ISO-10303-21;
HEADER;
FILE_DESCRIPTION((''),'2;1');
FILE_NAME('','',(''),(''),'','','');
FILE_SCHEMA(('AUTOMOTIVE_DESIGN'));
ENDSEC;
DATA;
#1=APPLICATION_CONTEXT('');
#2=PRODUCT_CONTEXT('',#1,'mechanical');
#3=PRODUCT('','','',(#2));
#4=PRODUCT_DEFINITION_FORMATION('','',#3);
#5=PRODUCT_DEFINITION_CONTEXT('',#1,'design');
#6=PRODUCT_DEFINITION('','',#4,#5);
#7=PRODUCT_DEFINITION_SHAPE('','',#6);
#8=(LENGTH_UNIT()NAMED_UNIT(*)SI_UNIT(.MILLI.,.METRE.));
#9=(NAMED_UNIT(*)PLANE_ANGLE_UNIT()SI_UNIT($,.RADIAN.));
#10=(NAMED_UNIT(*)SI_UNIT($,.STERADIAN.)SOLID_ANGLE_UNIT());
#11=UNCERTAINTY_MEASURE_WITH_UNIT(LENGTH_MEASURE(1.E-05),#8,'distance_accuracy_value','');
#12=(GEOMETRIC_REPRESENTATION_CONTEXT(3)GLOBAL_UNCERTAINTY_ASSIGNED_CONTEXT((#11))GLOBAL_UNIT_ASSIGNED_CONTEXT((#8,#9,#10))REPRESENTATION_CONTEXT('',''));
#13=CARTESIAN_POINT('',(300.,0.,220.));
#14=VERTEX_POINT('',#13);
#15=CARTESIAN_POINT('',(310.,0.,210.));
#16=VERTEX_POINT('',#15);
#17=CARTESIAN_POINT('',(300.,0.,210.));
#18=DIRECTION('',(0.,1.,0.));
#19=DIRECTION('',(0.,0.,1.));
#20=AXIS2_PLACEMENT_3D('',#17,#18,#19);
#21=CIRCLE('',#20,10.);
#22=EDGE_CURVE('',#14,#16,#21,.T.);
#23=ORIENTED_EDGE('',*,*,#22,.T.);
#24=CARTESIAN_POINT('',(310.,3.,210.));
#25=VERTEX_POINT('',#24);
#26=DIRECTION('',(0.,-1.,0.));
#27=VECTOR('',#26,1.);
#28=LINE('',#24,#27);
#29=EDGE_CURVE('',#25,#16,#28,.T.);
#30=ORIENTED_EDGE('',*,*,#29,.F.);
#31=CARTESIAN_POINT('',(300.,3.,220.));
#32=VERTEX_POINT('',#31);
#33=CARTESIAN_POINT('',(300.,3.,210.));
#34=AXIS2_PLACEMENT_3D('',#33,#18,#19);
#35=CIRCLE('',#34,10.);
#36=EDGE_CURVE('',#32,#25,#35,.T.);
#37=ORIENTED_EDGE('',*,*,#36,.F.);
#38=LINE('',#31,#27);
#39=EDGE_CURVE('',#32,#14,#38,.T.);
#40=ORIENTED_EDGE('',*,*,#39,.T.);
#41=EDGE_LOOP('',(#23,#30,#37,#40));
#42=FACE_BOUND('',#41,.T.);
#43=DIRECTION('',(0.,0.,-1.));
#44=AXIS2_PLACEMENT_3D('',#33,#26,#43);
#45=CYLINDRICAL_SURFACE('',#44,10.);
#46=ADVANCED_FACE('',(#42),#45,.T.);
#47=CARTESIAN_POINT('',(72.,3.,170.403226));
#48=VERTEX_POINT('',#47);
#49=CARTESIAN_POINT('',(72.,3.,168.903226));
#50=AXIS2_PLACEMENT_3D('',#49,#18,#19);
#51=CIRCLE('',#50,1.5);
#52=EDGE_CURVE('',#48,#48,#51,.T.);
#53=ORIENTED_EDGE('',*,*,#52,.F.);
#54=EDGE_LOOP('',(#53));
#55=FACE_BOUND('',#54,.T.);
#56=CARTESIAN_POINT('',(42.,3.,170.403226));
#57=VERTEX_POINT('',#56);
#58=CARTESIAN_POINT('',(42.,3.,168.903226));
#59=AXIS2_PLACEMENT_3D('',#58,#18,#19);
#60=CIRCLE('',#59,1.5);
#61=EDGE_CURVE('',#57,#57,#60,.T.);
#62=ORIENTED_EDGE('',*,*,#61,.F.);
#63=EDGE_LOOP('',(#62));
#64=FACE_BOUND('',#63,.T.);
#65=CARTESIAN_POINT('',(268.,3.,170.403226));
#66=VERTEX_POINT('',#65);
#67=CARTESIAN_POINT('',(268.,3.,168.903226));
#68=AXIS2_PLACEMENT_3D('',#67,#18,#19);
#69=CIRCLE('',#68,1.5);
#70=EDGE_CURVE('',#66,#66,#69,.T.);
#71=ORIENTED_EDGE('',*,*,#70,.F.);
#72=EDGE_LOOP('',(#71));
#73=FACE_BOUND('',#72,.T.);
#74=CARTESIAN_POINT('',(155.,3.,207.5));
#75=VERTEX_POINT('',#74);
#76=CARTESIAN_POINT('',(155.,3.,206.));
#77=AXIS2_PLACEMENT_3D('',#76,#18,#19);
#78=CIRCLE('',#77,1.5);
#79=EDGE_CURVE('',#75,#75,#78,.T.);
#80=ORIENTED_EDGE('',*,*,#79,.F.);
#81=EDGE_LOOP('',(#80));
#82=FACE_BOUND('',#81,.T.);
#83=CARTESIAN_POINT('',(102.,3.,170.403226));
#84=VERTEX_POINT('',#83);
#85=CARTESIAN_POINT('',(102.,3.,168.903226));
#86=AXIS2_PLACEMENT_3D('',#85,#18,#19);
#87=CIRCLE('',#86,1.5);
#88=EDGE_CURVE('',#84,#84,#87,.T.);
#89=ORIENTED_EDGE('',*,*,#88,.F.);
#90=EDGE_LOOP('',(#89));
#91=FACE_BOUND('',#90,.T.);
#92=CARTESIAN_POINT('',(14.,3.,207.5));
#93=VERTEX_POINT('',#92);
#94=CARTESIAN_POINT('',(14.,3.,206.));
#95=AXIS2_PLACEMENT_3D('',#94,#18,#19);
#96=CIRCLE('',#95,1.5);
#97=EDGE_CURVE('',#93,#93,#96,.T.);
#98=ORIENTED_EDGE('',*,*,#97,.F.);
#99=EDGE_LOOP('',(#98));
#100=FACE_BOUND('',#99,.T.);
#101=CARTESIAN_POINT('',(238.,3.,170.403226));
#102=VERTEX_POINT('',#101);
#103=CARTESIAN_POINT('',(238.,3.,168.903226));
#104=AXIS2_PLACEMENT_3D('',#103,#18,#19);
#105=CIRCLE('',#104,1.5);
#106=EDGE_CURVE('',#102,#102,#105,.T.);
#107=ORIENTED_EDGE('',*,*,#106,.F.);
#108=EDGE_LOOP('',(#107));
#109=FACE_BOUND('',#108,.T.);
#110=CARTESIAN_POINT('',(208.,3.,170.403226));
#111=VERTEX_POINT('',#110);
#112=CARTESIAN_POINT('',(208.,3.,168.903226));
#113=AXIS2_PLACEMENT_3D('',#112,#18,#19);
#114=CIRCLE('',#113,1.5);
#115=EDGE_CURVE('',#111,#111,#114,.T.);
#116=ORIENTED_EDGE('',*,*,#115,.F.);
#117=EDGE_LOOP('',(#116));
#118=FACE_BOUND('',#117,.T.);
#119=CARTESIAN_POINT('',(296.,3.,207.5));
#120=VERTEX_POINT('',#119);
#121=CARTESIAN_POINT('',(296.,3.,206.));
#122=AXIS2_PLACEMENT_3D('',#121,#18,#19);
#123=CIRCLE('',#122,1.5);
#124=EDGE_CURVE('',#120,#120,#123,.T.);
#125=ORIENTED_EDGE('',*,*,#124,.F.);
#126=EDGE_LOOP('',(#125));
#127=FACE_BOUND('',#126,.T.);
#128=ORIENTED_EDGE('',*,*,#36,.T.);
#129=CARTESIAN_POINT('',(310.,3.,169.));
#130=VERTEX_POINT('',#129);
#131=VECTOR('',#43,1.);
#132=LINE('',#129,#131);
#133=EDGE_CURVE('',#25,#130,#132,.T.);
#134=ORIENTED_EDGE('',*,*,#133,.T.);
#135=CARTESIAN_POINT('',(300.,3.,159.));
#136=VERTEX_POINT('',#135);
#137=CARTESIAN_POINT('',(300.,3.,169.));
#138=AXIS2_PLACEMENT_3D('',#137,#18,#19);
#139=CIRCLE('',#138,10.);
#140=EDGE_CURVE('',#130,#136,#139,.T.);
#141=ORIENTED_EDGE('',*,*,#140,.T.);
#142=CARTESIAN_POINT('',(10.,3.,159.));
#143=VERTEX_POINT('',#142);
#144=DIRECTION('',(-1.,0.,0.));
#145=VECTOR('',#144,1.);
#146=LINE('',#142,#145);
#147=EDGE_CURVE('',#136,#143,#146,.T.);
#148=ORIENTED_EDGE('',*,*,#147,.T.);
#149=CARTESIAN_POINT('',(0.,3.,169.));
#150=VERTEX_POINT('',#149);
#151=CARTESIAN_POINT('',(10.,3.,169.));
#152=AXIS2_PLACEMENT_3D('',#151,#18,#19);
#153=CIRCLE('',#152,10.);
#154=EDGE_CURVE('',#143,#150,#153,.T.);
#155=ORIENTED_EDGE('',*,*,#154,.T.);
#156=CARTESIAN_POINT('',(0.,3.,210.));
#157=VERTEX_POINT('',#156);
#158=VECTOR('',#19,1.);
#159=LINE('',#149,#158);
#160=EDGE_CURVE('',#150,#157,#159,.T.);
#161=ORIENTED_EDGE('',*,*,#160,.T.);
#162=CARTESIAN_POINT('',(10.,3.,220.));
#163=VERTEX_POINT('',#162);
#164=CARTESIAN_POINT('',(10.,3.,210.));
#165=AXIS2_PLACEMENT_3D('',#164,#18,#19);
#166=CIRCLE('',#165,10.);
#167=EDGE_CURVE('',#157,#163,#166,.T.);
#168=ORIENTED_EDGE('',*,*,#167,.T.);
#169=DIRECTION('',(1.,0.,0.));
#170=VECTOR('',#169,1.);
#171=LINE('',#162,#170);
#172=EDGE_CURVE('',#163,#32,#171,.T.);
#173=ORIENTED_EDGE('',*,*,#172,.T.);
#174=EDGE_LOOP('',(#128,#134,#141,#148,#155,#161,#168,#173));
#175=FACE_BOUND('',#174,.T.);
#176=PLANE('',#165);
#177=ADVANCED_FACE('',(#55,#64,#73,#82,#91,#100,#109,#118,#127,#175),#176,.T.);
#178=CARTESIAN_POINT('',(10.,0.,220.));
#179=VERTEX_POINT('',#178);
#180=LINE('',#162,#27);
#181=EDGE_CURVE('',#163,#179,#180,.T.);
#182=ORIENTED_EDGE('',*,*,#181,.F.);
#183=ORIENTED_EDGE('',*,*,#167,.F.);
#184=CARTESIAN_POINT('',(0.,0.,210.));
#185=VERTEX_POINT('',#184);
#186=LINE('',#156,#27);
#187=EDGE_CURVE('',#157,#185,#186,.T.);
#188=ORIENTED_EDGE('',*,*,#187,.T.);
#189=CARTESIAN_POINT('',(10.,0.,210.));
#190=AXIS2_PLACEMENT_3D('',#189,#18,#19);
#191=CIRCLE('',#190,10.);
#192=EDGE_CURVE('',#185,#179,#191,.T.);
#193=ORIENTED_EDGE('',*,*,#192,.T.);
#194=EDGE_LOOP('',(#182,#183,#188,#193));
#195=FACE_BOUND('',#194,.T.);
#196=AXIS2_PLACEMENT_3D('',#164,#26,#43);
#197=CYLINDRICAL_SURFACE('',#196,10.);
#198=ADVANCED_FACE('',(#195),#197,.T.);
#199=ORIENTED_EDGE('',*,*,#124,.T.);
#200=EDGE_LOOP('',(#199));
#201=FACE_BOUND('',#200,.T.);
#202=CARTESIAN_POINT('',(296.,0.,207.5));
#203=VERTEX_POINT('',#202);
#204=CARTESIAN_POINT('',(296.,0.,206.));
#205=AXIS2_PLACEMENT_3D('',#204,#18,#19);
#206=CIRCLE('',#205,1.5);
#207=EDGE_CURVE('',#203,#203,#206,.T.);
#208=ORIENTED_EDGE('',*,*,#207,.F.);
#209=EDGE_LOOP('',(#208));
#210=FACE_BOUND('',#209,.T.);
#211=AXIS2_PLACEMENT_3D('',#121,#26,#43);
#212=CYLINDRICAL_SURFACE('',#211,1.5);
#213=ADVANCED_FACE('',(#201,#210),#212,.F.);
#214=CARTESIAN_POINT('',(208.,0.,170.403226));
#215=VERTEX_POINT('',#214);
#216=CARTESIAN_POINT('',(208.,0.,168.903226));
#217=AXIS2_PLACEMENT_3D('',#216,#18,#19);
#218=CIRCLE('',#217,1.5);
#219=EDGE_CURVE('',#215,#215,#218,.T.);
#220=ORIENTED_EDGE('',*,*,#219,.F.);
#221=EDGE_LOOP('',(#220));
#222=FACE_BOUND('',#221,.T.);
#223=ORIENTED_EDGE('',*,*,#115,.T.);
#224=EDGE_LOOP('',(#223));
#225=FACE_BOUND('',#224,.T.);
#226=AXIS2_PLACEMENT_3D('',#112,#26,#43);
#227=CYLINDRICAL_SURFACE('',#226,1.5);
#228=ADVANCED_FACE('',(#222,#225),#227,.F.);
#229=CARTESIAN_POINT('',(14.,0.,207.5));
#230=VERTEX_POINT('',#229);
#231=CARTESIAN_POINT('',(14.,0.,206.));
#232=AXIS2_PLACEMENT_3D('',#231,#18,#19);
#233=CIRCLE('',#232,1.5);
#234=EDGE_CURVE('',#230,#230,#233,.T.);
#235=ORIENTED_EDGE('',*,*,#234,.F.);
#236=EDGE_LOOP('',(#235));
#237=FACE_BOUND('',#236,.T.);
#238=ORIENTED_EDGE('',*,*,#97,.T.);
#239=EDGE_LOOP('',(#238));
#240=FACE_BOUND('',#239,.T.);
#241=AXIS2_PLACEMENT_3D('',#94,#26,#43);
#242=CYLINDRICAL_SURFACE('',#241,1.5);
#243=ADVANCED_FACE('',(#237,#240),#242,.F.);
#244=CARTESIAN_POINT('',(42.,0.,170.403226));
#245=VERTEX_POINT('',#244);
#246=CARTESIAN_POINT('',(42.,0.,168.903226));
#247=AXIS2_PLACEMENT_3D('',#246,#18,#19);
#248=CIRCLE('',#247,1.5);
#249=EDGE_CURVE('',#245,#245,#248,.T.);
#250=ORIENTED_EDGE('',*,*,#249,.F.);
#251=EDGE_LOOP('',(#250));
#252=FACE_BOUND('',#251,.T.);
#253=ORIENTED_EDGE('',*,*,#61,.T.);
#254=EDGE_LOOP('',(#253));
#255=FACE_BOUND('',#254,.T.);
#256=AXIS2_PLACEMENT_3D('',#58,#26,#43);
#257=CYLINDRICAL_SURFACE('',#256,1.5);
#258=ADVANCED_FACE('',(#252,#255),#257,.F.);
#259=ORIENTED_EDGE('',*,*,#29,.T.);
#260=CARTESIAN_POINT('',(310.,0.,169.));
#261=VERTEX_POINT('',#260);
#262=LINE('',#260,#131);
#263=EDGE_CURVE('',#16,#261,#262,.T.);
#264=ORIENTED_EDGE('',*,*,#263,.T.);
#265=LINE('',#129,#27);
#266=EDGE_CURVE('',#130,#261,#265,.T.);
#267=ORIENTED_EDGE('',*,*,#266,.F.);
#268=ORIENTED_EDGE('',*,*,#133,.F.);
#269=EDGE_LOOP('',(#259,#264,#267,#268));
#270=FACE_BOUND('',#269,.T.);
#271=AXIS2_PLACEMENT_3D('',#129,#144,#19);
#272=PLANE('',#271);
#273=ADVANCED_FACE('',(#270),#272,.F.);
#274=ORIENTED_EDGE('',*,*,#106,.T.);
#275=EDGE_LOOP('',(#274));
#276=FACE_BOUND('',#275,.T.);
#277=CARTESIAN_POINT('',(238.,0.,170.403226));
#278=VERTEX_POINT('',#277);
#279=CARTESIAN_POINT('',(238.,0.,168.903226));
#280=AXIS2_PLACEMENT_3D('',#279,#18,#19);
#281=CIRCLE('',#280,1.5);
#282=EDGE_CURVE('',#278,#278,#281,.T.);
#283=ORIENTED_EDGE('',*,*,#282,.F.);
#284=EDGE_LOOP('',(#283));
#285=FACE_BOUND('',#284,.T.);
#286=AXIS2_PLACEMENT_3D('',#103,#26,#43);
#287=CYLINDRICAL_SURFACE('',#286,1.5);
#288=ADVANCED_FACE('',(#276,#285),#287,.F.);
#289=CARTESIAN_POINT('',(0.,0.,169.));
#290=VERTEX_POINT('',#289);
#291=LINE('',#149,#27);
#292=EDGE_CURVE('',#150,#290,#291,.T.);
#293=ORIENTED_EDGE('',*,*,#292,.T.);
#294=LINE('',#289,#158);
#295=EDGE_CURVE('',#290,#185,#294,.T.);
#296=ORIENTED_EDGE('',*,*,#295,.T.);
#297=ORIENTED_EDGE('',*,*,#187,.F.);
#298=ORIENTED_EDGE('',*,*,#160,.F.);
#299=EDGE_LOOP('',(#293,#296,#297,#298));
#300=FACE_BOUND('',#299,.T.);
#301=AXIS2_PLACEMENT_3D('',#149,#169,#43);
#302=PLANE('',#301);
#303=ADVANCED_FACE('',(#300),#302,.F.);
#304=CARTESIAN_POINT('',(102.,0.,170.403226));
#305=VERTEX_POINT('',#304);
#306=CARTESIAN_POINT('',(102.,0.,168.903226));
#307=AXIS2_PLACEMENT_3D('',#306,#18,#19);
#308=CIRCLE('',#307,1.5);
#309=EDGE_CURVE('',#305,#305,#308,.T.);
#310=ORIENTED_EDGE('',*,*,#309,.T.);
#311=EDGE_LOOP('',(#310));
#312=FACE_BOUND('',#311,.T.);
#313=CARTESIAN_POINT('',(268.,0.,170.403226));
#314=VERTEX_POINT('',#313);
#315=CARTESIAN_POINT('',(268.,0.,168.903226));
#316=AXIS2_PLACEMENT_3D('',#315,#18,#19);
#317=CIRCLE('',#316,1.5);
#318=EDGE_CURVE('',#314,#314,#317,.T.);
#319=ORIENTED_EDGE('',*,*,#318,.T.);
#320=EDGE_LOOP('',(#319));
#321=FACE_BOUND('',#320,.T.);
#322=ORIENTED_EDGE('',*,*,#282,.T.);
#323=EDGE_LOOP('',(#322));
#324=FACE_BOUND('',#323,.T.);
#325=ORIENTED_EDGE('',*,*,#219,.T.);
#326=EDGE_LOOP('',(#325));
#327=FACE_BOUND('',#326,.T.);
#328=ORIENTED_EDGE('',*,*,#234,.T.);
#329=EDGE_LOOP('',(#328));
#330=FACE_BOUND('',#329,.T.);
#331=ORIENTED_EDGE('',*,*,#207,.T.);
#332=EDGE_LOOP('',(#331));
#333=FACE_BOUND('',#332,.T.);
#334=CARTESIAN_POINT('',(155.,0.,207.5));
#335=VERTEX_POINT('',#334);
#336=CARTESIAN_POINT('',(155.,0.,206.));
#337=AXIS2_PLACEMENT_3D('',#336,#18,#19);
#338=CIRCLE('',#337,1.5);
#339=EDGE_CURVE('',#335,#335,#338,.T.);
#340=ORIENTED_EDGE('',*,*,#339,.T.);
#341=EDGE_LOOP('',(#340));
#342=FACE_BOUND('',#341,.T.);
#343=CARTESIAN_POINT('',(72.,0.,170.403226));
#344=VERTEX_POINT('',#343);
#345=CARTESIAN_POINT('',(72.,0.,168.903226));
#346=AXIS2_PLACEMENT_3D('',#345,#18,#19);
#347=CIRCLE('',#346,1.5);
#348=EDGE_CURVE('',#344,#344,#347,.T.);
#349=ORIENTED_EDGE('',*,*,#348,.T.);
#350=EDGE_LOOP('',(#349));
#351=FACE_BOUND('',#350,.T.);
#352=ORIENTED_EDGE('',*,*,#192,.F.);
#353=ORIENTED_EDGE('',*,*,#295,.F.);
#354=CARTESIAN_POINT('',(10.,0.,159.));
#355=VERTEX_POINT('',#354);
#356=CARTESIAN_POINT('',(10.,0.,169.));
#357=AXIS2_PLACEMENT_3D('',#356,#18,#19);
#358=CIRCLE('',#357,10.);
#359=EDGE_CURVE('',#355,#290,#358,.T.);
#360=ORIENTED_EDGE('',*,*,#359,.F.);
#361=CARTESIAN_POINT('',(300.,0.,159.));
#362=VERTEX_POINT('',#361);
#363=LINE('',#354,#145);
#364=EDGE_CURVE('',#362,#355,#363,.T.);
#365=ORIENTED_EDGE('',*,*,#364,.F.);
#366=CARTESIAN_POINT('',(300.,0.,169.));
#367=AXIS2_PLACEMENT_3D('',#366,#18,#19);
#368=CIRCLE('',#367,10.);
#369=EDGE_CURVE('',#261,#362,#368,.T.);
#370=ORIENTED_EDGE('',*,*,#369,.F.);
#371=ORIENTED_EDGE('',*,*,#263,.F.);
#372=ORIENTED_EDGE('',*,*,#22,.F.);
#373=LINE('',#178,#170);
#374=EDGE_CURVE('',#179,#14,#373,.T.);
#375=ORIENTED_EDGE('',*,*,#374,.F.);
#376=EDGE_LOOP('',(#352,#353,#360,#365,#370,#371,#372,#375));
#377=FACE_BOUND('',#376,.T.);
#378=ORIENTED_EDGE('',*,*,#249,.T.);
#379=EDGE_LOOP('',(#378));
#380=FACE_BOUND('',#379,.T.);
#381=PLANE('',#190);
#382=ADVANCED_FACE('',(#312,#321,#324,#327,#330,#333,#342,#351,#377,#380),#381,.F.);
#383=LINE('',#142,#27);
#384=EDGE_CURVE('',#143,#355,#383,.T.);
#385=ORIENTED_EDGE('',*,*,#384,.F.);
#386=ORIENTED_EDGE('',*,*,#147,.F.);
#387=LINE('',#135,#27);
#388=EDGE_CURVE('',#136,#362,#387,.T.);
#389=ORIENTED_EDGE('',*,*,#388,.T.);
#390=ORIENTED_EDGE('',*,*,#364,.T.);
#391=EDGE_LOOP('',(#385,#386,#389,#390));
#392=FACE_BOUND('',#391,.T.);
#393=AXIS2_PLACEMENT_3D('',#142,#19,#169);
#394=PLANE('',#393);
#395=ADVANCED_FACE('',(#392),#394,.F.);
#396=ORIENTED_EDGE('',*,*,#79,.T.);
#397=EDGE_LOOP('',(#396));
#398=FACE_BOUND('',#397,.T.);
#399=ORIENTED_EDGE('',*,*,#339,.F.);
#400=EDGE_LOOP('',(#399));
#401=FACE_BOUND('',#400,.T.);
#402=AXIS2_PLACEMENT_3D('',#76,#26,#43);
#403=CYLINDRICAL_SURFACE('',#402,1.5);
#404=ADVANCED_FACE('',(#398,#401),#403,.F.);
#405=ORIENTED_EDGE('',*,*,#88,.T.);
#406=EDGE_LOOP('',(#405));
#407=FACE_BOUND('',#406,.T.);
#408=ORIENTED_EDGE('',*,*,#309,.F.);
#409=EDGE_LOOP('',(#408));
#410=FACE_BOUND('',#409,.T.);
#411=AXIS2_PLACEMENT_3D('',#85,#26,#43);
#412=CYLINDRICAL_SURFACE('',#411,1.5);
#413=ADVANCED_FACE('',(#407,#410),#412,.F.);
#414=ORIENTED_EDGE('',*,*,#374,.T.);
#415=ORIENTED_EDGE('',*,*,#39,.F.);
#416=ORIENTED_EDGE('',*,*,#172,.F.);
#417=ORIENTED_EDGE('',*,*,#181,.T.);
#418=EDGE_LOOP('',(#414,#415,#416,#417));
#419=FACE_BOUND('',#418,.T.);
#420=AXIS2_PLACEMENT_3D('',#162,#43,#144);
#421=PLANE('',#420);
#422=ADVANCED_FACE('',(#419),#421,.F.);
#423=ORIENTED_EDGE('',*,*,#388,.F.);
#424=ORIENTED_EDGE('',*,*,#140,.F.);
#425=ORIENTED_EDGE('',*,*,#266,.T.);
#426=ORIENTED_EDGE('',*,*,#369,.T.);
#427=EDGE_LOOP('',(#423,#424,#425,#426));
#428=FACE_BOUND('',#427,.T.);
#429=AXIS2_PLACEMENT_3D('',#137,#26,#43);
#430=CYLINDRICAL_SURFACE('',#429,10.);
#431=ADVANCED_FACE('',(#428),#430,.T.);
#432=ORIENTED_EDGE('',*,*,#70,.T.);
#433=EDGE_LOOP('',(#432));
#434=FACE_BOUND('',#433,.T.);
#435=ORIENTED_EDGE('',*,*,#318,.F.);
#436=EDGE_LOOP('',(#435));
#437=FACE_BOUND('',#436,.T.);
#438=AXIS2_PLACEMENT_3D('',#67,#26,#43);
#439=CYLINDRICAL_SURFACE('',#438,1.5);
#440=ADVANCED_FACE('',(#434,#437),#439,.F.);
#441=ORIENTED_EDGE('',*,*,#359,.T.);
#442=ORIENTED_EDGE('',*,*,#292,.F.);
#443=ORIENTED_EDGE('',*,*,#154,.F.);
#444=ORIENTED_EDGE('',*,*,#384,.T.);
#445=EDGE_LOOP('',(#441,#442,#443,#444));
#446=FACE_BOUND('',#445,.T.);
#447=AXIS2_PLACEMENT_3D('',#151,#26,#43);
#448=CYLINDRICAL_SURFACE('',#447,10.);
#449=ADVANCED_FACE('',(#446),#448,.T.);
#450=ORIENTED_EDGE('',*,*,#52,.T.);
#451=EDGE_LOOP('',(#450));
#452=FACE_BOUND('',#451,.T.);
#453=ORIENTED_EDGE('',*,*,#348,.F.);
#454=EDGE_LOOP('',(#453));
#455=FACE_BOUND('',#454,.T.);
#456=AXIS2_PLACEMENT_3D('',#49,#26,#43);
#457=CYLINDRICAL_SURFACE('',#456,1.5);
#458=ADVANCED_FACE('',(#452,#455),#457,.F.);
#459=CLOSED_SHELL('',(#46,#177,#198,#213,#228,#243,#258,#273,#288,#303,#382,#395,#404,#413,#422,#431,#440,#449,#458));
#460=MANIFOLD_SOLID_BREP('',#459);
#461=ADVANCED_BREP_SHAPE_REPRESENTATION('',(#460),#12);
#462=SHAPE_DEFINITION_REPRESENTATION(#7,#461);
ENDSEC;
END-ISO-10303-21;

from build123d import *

# Parameters (mm, degrees)
SKETCH_1_R      = 1.5
EXTRUDE_1_DEPTH = 3


with BuildPart() as part:
    # 草图1 → 凸台-拉伸1 (new body)
    with BuildSketch(Plane(origin=(0, 0, 0), x_dir=(1, 0, 0), z_dir=(0, 1, 0))):
        with BuildLine():
            Line((10, -220), (300, -220))
            ThreePointArc((300, -220), (307.071067812, -217.071067812), (310, -210))
            Line((310, -210), (310, -169))
            ThreePointArc((310, -169), (307.071067812, -161.928932188), (300, -159))
            Line((300, -159), (10, -159))
            ThreePointArc((10, -159), (2.928932188, -161.928932188), (0, -169))
            Line((0, -169), (0, -210))
            ThreePointArc((0, -210), (2.928932188, -217.071067812), (10, -220))
        make_face()
        with Locations(Location((14, -206, 0), (0, 0, 270))):
            Circle(SKETCH_1_R, mode=Mode.SUBTRACT)
        with Locations(Location((296, -206, 0), (0, 0, 270))):
            Circle(SKETCH_1_R, mode=Mode.SUBTRACT)
        with Locations(Location((155, -206, 0), (0, 0, 270))):
            Circle(SKETCH_1_R, mode=Mode.SUBTRACT)
        with Locations(Location((72, -168.903225806, 0), (0, 0, 270))):
            Circle(SKETCH_1_R, mode=Mode.SUBTRACT)
        with Locations(Location((42, -168.903225806, 0), (0, 0, 270))):
            Circle(SKETCH_1_R, mode=Mode.SUBTRACT)
        with Locations(Location((102, -168.903225806, 0), (0, 0, 270))):
            Circle(SKETCH_1_R, mode=Mode.SUBTRACT)
        with Locations(Location((238, -168.903225806, 0), (0, 0, 270))):
            Circle(SKETCH_1_R, mode=Mode.SUBTRACT)
        with Locations(Location((268, -168.903225806, 0), (0, 0, 270))):
            Circle(SKETCH_1_R, mode=Mode.SUBTRACT)
        with Locations(Location((208, -168.903225806, 0), (0, 0, 270))):
            Circle(SKETCH_1_R, mode=Mode.SUBTRACT)
    extrude(amount=EXTRUDE_1_DEPTH)


solid = part.part
